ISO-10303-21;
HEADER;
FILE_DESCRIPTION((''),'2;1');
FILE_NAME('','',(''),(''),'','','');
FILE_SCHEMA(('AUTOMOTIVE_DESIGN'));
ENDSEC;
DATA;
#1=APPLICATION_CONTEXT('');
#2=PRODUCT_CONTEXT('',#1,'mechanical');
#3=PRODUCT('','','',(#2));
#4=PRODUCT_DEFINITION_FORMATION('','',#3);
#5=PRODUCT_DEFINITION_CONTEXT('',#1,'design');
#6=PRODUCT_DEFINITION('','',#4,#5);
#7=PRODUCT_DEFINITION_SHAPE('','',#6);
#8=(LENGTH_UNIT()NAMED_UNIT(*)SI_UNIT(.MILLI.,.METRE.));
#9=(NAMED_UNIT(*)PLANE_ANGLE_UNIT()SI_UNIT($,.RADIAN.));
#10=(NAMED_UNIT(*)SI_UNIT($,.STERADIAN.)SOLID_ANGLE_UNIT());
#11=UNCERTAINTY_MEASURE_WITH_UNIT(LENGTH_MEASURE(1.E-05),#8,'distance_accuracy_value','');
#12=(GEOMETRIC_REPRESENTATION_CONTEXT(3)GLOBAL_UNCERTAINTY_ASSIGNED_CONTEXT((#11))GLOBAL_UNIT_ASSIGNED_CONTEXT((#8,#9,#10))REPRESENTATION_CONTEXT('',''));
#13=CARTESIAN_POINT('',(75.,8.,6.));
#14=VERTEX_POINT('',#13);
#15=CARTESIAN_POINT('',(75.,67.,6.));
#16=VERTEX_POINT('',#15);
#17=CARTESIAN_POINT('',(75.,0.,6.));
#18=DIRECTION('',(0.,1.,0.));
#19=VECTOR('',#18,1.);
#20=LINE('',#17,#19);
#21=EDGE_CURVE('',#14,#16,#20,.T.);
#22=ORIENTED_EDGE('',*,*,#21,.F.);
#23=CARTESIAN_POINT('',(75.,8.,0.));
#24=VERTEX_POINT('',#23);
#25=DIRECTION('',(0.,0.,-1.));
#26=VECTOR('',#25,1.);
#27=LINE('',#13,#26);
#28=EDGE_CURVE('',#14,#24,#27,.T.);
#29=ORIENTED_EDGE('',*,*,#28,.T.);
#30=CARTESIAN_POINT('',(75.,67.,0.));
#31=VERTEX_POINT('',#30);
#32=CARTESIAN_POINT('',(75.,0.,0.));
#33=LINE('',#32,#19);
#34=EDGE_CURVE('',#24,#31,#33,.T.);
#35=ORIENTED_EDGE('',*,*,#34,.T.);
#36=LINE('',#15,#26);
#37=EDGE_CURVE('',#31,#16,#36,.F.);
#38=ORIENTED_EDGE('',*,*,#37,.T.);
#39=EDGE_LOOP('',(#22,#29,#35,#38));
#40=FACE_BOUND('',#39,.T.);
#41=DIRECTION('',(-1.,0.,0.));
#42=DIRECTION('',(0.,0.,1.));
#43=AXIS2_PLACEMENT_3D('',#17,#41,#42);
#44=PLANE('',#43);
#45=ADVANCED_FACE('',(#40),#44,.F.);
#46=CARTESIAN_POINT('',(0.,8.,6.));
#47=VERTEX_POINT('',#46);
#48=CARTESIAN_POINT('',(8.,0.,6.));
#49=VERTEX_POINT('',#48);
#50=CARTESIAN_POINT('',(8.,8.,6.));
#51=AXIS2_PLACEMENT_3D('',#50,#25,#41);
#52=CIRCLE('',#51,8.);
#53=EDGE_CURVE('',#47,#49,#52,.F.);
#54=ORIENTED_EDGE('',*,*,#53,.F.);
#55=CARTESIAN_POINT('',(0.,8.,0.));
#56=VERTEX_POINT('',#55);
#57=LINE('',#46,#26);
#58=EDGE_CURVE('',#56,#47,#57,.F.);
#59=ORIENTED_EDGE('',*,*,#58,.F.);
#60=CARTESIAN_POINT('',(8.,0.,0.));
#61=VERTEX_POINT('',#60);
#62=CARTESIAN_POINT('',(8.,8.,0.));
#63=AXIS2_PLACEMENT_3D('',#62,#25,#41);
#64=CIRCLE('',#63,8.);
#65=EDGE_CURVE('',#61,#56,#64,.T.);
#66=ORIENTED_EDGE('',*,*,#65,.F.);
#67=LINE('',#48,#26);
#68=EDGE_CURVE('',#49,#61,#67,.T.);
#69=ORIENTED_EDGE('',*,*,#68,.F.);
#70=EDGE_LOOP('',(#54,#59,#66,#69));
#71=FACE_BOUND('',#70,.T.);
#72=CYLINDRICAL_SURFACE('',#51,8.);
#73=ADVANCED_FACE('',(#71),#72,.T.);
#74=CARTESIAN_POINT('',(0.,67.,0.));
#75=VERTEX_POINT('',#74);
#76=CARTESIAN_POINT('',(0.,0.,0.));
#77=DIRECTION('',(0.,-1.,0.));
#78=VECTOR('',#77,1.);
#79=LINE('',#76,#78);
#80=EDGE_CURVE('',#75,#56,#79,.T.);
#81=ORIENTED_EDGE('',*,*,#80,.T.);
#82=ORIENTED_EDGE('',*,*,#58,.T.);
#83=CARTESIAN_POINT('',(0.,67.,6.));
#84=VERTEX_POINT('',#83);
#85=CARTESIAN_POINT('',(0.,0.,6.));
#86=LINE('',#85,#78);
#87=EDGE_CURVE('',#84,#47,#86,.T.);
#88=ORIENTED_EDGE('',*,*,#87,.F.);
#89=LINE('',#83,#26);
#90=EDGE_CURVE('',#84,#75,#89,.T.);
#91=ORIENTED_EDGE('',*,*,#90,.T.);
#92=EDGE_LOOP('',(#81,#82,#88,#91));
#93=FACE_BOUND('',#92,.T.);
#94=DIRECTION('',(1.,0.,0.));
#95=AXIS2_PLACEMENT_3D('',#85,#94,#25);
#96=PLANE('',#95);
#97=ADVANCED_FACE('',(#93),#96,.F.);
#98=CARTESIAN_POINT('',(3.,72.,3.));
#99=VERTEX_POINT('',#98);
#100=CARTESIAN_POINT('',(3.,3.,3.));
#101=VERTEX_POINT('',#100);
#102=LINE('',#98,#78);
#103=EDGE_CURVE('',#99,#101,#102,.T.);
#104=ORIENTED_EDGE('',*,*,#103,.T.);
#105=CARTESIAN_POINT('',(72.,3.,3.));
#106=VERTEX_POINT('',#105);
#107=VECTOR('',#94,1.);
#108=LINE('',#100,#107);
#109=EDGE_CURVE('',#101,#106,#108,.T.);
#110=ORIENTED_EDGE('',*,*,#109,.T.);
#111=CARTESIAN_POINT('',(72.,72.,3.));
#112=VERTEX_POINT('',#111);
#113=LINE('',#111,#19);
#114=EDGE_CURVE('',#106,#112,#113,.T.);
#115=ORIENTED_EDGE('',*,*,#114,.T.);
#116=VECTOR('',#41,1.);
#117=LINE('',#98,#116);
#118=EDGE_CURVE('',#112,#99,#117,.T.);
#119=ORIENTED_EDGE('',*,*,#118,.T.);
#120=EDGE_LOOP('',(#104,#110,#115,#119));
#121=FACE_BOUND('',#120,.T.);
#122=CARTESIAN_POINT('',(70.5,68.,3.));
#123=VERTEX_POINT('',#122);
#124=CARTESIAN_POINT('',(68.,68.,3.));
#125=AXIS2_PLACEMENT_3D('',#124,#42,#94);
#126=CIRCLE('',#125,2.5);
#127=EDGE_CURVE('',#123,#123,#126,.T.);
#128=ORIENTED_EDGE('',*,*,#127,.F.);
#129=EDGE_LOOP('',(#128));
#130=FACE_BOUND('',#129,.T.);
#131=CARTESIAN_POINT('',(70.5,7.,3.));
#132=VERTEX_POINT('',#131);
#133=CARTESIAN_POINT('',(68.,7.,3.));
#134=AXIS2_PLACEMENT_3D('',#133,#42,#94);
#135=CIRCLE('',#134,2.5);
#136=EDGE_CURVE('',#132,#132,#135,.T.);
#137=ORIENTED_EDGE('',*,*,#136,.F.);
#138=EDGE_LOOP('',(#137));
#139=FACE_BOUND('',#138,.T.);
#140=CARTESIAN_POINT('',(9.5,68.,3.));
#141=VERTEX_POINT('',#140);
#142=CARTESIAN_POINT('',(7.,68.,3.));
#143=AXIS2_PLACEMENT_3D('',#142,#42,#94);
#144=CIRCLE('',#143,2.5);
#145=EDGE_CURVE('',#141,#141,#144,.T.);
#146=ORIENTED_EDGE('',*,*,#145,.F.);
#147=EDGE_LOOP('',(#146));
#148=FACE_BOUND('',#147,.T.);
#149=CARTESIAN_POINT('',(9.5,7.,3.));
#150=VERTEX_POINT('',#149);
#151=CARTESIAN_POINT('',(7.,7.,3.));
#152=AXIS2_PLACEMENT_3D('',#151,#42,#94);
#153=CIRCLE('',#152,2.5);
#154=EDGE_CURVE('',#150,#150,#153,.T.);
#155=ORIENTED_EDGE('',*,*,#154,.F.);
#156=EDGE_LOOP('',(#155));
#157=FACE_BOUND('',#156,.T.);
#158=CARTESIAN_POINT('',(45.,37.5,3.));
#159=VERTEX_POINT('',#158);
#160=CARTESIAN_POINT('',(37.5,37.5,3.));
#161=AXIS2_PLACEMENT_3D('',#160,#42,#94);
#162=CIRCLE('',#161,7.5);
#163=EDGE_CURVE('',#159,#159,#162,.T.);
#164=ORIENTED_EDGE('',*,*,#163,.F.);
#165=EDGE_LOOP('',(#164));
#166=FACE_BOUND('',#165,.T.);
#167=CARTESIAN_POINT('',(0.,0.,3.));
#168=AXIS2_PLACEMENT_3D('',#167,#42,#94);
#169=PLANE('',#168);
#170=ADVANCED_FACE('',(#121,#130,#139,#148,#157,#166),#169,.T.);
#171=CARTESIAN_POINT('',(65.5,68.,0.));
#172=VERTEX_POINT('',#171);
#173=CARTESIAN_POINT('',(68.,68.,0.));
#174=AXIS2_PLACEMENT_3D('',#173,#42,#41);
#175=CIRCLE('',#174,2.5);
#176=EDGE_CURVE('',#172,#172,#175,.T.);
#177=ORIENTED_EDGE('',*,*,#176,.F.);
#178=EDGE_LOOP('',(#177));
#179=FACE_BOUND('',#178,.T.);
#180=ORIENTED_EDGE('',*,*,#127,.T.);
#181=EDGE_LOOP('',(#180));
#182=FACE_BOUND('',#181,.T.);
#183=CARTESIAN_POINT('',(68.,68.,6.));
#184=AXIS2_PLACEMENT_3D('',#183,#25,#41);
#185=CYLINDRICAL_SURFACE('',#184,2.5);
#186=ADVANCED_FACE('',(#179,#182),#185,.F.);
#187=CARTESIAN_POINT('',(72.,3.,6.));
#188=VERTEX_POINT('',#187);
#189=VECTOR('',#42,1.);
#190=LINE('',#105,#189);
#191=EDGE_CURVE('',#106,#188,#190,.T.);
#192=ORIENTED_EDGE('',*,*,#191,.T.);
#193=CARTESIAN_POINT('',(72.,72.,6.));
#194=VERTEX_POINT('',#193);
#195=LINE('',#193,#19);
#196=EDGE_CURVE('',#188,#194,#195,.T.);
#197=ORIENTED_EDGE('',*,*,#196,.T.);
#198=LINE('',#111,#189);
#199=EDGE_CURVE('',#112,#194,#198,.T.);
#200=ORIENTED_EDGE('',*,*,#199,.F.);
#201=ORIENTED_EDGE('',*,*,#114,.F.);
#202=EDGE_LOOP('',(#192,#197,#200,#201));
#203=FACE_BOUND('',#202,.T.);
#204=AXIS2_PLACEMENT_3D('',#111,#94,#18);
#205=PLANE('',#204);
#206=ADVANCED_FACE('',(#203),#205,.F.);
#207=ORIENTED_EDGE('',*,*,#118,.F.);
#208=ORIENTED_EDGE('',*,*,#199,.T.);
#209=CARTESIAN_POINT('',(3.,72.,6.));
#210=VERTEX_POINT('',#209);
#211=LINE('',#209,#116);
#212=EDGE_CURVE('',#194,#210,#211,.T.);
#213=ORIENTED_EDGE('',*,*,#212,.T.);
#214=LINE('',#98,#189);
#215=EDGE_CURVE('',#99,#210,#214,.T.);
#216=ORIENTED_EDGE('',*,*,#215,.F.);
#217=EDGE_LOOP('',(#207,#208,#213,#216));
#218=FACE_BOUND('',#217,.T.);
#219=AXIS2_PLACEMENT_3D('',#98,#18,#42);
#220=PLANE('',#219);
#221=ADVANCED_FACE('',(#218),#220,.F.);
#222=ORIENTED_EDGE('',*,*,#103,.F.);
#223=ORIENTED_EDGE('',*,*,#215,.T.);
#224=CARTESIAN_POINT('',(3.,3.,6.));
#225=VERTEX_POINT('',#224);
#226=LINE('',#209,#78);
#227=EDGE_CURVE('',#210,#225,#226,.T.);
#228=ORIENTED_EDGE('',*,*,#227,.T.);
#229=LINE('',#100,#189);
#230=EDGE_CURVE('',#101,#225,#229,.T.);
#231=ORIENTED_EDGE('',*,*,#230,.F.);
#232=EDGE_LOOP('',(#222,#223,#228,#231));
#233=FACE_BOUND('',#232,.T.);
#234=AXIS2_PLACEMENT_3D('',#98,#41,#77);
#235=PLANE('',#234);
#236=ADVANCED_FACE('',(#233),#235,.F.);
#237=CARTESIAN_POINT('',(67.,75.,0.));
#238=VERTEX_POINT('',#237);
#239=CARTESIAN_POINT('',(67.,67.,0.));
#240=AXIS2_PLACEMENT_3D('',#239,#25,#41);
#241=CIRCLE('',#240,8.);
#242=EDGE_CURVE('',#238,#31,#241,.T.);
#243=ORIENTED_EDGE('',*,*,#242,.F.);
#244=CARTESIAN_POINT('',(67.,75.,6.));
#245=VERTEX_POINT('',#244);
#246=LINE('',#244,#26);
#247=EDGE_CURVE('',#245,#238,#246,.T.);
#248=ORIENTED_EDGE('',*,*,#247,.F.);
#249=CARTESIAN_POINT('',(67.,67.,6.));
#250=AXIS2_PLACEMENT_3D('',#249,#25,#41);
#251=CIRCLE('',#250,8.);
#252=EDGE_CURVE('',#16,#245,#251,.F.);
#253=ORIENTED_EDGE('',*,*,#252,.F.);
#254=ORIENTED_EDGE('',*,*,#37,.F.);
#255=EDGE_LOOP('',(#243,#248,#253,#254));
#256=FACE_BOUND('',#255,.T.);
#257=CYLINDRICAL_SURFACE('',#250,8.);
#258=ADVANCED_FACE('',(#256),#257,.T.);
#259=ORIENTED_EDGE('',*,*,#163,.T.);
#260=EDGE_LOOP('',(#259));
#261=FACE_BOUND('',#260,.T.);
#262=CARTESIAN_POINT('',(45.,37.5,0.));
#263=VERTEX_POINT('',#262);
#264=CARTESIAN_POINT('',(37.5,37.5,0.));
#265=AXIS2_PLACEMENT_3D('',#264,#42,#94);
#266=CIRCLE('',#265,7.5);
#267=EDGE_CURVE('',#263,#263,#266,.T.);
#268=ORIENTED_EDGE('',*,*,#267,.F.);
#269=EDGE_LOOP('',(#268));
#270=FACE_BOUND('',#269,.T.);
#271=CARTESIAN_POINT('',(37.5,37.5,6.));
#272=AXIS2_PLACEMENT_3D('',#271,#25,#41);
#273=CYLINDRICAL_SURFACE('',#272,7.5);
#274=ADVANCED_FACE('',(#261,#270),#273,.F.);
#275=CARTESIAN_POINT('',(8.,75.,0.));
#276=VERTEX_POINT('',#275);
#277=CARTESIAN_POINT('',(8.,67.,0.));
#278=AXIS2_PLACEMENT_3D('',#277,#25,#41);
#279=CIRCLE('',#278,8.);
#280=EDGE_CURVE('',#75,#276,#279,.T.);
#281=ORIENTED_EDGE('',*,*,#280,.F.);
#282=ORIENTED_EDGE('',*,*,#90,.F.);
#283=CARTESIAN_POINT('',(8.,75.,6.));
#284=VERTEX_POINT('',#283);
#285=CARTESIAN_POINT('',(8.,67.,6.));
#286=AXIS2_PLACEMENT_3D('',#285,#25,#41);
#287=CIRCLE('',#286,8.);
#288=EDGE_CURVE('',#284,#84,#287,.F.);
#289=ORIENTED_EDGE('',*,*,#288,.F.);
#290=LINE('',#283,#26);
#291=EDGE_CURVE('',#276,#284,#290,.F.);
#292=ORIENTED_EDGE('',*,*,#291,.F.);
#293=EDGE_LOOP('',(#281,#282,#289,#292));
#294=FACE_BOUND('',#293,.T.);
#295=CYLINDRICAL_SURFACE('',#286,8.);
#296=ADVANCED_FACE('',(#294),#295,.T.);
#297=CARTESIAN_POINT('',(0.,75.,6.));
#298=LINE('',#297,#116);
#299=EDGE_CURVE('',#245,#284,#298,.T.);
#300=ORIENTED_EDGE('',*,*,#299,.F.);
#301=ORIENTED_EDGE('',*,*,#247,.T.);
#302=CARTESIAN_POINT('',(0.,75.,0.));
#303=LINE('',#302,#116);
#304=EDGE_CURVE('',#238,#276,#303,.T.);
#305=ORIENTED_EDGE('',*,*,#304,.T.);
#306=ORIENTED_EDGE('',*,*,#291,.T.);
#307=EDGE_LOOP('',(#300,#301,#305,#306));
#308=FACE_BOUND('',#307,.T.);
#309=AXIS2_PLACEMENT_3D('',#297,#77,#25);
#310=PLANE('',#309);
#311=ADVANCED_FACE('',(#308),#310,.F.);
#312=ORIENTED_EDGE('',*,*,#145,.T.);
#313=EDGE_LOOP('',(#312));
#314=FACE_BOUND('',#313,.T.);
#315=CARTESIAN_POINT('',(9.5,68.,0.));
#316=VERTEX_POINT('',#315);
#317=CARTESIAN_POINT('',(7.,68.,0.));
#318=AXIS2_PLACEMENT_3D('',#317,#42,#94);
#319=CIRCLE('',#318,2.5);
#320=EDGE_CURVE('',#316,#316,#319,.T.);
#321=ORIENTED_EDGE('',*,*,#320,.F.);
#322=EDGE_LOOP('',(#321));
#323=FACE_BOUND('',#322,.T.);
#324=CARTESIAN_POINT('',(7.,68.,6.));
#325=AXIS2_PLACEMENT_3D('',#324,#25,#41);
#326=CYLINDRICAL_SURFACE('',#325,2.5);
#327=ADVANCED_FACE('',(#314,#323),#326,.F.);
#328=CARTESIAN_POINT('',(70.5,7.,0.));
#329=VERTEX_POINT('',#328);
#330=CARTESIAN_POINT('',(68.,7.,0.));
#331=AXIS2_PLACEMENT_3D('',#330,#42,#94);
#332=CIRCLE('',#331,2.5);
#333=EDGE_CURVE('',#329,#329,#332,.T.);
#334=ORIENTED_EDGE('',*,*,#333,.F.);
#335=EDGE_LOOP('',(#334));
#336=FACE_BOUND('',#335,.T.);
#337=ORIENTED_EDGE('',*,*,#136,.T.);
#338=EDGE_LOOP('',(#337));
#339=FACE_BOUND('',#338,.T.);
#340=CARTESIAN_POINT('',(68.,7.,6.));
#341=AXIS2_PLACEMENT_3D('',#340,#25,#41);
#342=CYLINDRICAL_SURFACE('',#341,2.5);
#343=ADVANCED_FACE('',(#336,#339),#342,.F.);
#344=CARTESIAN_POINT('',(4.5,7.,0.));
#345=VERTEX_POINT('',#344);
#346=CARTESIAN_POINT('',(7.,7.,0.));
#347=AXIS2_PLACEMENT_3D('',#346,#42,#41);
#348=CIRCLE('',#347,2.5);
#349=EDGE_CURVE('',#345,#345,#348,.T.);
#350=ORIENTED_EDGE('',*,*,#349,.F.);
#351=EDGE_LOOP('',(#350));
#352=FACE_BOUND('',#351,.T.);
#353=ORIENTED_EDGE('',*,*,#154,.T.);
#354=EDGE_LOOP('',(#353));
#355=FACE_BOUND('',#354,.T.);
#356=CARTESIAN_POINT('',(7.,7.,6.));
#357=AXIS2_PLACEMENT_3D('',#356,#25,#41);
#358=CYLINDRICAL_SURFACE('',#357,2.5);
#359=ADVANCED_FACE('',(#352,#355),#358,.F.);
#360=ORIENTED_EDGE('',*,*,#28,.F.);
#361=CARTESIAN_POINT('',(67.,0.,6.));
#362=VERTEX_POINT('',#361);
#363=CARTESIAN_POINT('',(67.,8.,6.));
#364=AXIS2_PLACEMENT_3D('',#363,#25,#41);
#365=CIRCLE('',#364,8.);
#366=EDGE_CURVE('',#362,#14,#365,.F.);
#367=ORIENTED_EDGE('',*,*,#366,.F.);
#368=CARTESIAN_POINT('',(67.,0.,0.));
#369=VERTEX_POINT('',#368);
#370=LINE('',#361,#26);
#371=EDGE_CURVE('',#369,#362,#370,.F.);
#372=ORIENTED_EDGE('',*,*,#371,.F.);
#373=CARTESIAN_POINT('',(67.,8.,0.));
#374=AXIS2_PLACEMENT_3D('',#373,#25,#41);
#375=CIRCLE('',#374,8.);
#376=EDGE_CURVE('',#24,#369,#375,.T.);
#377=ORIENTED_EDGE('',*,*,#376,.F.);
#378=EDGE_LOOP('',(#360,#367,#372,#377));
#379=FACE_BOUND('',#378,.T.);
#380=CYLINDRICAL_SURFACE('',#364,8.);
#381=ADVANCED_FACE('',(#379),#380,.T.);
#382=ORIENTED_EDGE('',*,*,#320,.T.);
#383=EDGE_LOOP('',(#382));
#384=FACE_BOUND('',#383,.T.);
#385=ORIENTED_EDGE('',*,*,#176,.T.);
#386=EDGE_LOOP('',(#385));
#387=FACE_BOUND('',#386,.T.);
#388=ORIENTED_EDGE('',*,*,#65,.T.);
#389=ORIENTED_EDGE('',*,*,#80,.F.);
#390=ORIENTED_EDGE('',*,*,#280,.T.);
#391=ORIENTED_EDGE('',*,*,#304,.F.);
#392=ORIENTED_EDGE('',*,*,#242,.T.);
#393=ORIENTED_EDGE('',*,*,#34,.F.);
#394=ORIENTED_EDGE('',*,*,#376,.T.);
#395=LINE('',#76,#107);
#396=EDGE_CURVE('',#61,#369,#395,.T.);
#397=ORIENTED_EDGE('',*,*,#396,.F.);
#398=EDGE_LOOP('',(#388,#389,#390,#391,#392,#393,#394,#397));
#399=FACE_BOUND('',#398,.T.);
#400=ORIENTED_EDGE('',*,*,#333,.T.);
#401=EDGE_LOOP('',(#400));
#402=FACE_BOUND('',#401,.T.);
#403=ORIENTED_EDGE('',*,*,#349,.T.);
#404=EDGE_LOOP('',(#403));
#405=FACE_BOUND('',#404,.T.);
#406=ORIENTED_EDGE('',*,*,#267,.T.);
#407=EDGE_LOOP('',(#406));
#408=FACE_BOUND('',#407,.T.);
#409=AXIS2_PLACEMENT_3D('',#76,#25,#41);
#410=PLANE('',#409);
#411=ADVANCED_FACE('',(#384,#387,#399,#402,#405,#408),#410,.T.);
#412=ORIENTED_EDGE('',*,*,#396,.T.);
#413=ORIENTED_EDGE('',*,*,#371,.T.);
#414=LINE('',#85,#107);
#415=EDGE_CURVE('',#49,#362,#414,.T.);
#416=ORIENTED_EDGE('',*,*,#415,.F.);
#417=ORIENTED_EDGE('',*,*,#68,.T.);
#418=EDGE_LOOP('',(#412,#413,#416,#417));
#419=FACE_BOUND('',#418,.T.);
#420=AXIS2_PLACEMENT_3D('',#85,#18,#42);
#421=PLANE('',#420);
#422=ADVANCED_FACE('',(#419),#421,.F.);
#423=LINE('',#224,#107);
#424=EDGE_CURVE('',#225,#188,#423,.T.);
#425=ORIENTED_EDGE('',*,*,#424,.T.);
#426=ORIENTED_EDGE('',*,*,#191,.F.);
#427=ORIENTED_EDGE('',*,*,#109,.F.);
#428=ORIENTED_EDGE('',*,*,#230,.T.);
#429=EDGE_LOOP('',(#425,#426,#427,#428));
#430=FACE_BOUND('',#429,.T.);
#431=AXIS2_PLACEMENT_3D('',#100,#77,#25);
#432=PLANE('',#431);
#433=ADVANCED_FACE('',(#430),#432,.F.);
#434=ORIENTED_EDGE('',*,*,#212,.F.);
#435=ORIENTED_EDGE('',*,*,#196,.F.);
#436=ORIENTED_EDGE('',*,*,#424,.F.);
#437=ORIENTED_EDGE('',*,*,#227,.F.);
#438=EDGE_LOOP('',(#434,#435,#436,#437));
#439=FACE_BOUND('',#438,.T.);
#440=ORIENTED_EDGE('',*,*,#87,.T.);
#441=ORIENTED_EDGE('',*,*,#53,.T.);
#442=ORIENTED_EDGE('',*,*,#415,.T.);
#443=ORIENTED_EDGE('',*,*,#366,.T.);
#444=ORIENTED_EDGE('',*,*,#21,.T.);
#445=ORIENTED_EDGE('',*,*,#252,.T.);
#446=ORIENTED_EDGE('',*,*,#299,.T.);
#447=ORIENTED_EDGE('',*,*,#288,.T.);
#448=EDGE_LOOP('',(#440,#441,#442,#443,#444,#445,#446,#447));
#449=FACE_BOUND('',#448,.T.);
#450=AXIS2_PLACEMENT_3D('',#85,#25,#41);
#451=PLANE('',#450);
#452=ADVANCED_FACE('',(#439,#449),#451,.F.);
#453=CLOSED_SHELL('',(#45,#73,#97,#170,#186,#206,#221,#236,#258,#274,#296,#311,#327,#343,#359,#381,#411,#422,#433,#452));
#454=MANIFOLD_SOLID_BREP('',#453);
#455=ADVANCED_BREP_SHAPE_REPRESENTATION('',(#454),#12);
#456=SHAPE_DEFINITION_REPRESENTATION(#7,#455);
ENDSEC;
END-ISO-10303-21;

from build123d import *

# Parameters (mm, degrees)
SKETCH1_W           = 75
SKETCH1_H           = 75
SKETCH1_R           = 2.5
SKETCH1_R_2         = 7.5
BOSS_EXTRUDE1_DEPTH = 6
SKETCH2_W           = 69
SKETCH2_H           = 69
CUT_EXTRUDE1_DEPTH  = 3
FILLET1_R           = 8


with BuildPart() as part:
    # Sketch1 → Boss-Extrude1 (new body)
    with BuildSketch(Plane.XY):
        with Locations((37.5, 37.5)):
            Rectangle(SKETCH1_W, SKETCH1_H)
        with Locations((7, 68)):
            Circle(SKETCH1_R, mode=Mode.SUBTRACT)
        with Locations(Location((68, 68, 0), (0, 0, 180))):
            Circle(SKETCH1_R, mode=Mode.SUBTRACT)
        with Locations((68, 7)):
            Circle(SKETCH1_R, mode=Mode.SUBTRACT)
        with Locations(Location((7, 7, 0), (0, 0, 180))):
            Circle(SKETCH1_R, mode=Mode.SUBTRACT)
        with Locations((37.5, 37.5)):
            Circle(SKETCH1_R_2, mode=Mode.SUBTRACT)
    extrude(amount=BOSS_EXTRUDE1_DEPTH)

    # Sketch2 → Cut-Extrude1 (cut)
    with BuildSketch(Plane.XY.offset(6)):
        with Locations((37.5, 37.5)):
            Rectangle(SKETCH2_W, SKETCH2_H)
    extrude(amount=-CUT_EXTRUDE1_DEPTH, mode=Mode.SUBTRACT)

    # Fillet1
    fillet1_edges = [part.edges().sort_by_distance(p)[0] for p in [
        (0, 75, 3),
        (75, 75, 3),
        (75, 0, 3),
        (0, 0, 3),
    ]]
    fillet(fillet1_edges, radius=FILLET1_R)


solid = part.part
